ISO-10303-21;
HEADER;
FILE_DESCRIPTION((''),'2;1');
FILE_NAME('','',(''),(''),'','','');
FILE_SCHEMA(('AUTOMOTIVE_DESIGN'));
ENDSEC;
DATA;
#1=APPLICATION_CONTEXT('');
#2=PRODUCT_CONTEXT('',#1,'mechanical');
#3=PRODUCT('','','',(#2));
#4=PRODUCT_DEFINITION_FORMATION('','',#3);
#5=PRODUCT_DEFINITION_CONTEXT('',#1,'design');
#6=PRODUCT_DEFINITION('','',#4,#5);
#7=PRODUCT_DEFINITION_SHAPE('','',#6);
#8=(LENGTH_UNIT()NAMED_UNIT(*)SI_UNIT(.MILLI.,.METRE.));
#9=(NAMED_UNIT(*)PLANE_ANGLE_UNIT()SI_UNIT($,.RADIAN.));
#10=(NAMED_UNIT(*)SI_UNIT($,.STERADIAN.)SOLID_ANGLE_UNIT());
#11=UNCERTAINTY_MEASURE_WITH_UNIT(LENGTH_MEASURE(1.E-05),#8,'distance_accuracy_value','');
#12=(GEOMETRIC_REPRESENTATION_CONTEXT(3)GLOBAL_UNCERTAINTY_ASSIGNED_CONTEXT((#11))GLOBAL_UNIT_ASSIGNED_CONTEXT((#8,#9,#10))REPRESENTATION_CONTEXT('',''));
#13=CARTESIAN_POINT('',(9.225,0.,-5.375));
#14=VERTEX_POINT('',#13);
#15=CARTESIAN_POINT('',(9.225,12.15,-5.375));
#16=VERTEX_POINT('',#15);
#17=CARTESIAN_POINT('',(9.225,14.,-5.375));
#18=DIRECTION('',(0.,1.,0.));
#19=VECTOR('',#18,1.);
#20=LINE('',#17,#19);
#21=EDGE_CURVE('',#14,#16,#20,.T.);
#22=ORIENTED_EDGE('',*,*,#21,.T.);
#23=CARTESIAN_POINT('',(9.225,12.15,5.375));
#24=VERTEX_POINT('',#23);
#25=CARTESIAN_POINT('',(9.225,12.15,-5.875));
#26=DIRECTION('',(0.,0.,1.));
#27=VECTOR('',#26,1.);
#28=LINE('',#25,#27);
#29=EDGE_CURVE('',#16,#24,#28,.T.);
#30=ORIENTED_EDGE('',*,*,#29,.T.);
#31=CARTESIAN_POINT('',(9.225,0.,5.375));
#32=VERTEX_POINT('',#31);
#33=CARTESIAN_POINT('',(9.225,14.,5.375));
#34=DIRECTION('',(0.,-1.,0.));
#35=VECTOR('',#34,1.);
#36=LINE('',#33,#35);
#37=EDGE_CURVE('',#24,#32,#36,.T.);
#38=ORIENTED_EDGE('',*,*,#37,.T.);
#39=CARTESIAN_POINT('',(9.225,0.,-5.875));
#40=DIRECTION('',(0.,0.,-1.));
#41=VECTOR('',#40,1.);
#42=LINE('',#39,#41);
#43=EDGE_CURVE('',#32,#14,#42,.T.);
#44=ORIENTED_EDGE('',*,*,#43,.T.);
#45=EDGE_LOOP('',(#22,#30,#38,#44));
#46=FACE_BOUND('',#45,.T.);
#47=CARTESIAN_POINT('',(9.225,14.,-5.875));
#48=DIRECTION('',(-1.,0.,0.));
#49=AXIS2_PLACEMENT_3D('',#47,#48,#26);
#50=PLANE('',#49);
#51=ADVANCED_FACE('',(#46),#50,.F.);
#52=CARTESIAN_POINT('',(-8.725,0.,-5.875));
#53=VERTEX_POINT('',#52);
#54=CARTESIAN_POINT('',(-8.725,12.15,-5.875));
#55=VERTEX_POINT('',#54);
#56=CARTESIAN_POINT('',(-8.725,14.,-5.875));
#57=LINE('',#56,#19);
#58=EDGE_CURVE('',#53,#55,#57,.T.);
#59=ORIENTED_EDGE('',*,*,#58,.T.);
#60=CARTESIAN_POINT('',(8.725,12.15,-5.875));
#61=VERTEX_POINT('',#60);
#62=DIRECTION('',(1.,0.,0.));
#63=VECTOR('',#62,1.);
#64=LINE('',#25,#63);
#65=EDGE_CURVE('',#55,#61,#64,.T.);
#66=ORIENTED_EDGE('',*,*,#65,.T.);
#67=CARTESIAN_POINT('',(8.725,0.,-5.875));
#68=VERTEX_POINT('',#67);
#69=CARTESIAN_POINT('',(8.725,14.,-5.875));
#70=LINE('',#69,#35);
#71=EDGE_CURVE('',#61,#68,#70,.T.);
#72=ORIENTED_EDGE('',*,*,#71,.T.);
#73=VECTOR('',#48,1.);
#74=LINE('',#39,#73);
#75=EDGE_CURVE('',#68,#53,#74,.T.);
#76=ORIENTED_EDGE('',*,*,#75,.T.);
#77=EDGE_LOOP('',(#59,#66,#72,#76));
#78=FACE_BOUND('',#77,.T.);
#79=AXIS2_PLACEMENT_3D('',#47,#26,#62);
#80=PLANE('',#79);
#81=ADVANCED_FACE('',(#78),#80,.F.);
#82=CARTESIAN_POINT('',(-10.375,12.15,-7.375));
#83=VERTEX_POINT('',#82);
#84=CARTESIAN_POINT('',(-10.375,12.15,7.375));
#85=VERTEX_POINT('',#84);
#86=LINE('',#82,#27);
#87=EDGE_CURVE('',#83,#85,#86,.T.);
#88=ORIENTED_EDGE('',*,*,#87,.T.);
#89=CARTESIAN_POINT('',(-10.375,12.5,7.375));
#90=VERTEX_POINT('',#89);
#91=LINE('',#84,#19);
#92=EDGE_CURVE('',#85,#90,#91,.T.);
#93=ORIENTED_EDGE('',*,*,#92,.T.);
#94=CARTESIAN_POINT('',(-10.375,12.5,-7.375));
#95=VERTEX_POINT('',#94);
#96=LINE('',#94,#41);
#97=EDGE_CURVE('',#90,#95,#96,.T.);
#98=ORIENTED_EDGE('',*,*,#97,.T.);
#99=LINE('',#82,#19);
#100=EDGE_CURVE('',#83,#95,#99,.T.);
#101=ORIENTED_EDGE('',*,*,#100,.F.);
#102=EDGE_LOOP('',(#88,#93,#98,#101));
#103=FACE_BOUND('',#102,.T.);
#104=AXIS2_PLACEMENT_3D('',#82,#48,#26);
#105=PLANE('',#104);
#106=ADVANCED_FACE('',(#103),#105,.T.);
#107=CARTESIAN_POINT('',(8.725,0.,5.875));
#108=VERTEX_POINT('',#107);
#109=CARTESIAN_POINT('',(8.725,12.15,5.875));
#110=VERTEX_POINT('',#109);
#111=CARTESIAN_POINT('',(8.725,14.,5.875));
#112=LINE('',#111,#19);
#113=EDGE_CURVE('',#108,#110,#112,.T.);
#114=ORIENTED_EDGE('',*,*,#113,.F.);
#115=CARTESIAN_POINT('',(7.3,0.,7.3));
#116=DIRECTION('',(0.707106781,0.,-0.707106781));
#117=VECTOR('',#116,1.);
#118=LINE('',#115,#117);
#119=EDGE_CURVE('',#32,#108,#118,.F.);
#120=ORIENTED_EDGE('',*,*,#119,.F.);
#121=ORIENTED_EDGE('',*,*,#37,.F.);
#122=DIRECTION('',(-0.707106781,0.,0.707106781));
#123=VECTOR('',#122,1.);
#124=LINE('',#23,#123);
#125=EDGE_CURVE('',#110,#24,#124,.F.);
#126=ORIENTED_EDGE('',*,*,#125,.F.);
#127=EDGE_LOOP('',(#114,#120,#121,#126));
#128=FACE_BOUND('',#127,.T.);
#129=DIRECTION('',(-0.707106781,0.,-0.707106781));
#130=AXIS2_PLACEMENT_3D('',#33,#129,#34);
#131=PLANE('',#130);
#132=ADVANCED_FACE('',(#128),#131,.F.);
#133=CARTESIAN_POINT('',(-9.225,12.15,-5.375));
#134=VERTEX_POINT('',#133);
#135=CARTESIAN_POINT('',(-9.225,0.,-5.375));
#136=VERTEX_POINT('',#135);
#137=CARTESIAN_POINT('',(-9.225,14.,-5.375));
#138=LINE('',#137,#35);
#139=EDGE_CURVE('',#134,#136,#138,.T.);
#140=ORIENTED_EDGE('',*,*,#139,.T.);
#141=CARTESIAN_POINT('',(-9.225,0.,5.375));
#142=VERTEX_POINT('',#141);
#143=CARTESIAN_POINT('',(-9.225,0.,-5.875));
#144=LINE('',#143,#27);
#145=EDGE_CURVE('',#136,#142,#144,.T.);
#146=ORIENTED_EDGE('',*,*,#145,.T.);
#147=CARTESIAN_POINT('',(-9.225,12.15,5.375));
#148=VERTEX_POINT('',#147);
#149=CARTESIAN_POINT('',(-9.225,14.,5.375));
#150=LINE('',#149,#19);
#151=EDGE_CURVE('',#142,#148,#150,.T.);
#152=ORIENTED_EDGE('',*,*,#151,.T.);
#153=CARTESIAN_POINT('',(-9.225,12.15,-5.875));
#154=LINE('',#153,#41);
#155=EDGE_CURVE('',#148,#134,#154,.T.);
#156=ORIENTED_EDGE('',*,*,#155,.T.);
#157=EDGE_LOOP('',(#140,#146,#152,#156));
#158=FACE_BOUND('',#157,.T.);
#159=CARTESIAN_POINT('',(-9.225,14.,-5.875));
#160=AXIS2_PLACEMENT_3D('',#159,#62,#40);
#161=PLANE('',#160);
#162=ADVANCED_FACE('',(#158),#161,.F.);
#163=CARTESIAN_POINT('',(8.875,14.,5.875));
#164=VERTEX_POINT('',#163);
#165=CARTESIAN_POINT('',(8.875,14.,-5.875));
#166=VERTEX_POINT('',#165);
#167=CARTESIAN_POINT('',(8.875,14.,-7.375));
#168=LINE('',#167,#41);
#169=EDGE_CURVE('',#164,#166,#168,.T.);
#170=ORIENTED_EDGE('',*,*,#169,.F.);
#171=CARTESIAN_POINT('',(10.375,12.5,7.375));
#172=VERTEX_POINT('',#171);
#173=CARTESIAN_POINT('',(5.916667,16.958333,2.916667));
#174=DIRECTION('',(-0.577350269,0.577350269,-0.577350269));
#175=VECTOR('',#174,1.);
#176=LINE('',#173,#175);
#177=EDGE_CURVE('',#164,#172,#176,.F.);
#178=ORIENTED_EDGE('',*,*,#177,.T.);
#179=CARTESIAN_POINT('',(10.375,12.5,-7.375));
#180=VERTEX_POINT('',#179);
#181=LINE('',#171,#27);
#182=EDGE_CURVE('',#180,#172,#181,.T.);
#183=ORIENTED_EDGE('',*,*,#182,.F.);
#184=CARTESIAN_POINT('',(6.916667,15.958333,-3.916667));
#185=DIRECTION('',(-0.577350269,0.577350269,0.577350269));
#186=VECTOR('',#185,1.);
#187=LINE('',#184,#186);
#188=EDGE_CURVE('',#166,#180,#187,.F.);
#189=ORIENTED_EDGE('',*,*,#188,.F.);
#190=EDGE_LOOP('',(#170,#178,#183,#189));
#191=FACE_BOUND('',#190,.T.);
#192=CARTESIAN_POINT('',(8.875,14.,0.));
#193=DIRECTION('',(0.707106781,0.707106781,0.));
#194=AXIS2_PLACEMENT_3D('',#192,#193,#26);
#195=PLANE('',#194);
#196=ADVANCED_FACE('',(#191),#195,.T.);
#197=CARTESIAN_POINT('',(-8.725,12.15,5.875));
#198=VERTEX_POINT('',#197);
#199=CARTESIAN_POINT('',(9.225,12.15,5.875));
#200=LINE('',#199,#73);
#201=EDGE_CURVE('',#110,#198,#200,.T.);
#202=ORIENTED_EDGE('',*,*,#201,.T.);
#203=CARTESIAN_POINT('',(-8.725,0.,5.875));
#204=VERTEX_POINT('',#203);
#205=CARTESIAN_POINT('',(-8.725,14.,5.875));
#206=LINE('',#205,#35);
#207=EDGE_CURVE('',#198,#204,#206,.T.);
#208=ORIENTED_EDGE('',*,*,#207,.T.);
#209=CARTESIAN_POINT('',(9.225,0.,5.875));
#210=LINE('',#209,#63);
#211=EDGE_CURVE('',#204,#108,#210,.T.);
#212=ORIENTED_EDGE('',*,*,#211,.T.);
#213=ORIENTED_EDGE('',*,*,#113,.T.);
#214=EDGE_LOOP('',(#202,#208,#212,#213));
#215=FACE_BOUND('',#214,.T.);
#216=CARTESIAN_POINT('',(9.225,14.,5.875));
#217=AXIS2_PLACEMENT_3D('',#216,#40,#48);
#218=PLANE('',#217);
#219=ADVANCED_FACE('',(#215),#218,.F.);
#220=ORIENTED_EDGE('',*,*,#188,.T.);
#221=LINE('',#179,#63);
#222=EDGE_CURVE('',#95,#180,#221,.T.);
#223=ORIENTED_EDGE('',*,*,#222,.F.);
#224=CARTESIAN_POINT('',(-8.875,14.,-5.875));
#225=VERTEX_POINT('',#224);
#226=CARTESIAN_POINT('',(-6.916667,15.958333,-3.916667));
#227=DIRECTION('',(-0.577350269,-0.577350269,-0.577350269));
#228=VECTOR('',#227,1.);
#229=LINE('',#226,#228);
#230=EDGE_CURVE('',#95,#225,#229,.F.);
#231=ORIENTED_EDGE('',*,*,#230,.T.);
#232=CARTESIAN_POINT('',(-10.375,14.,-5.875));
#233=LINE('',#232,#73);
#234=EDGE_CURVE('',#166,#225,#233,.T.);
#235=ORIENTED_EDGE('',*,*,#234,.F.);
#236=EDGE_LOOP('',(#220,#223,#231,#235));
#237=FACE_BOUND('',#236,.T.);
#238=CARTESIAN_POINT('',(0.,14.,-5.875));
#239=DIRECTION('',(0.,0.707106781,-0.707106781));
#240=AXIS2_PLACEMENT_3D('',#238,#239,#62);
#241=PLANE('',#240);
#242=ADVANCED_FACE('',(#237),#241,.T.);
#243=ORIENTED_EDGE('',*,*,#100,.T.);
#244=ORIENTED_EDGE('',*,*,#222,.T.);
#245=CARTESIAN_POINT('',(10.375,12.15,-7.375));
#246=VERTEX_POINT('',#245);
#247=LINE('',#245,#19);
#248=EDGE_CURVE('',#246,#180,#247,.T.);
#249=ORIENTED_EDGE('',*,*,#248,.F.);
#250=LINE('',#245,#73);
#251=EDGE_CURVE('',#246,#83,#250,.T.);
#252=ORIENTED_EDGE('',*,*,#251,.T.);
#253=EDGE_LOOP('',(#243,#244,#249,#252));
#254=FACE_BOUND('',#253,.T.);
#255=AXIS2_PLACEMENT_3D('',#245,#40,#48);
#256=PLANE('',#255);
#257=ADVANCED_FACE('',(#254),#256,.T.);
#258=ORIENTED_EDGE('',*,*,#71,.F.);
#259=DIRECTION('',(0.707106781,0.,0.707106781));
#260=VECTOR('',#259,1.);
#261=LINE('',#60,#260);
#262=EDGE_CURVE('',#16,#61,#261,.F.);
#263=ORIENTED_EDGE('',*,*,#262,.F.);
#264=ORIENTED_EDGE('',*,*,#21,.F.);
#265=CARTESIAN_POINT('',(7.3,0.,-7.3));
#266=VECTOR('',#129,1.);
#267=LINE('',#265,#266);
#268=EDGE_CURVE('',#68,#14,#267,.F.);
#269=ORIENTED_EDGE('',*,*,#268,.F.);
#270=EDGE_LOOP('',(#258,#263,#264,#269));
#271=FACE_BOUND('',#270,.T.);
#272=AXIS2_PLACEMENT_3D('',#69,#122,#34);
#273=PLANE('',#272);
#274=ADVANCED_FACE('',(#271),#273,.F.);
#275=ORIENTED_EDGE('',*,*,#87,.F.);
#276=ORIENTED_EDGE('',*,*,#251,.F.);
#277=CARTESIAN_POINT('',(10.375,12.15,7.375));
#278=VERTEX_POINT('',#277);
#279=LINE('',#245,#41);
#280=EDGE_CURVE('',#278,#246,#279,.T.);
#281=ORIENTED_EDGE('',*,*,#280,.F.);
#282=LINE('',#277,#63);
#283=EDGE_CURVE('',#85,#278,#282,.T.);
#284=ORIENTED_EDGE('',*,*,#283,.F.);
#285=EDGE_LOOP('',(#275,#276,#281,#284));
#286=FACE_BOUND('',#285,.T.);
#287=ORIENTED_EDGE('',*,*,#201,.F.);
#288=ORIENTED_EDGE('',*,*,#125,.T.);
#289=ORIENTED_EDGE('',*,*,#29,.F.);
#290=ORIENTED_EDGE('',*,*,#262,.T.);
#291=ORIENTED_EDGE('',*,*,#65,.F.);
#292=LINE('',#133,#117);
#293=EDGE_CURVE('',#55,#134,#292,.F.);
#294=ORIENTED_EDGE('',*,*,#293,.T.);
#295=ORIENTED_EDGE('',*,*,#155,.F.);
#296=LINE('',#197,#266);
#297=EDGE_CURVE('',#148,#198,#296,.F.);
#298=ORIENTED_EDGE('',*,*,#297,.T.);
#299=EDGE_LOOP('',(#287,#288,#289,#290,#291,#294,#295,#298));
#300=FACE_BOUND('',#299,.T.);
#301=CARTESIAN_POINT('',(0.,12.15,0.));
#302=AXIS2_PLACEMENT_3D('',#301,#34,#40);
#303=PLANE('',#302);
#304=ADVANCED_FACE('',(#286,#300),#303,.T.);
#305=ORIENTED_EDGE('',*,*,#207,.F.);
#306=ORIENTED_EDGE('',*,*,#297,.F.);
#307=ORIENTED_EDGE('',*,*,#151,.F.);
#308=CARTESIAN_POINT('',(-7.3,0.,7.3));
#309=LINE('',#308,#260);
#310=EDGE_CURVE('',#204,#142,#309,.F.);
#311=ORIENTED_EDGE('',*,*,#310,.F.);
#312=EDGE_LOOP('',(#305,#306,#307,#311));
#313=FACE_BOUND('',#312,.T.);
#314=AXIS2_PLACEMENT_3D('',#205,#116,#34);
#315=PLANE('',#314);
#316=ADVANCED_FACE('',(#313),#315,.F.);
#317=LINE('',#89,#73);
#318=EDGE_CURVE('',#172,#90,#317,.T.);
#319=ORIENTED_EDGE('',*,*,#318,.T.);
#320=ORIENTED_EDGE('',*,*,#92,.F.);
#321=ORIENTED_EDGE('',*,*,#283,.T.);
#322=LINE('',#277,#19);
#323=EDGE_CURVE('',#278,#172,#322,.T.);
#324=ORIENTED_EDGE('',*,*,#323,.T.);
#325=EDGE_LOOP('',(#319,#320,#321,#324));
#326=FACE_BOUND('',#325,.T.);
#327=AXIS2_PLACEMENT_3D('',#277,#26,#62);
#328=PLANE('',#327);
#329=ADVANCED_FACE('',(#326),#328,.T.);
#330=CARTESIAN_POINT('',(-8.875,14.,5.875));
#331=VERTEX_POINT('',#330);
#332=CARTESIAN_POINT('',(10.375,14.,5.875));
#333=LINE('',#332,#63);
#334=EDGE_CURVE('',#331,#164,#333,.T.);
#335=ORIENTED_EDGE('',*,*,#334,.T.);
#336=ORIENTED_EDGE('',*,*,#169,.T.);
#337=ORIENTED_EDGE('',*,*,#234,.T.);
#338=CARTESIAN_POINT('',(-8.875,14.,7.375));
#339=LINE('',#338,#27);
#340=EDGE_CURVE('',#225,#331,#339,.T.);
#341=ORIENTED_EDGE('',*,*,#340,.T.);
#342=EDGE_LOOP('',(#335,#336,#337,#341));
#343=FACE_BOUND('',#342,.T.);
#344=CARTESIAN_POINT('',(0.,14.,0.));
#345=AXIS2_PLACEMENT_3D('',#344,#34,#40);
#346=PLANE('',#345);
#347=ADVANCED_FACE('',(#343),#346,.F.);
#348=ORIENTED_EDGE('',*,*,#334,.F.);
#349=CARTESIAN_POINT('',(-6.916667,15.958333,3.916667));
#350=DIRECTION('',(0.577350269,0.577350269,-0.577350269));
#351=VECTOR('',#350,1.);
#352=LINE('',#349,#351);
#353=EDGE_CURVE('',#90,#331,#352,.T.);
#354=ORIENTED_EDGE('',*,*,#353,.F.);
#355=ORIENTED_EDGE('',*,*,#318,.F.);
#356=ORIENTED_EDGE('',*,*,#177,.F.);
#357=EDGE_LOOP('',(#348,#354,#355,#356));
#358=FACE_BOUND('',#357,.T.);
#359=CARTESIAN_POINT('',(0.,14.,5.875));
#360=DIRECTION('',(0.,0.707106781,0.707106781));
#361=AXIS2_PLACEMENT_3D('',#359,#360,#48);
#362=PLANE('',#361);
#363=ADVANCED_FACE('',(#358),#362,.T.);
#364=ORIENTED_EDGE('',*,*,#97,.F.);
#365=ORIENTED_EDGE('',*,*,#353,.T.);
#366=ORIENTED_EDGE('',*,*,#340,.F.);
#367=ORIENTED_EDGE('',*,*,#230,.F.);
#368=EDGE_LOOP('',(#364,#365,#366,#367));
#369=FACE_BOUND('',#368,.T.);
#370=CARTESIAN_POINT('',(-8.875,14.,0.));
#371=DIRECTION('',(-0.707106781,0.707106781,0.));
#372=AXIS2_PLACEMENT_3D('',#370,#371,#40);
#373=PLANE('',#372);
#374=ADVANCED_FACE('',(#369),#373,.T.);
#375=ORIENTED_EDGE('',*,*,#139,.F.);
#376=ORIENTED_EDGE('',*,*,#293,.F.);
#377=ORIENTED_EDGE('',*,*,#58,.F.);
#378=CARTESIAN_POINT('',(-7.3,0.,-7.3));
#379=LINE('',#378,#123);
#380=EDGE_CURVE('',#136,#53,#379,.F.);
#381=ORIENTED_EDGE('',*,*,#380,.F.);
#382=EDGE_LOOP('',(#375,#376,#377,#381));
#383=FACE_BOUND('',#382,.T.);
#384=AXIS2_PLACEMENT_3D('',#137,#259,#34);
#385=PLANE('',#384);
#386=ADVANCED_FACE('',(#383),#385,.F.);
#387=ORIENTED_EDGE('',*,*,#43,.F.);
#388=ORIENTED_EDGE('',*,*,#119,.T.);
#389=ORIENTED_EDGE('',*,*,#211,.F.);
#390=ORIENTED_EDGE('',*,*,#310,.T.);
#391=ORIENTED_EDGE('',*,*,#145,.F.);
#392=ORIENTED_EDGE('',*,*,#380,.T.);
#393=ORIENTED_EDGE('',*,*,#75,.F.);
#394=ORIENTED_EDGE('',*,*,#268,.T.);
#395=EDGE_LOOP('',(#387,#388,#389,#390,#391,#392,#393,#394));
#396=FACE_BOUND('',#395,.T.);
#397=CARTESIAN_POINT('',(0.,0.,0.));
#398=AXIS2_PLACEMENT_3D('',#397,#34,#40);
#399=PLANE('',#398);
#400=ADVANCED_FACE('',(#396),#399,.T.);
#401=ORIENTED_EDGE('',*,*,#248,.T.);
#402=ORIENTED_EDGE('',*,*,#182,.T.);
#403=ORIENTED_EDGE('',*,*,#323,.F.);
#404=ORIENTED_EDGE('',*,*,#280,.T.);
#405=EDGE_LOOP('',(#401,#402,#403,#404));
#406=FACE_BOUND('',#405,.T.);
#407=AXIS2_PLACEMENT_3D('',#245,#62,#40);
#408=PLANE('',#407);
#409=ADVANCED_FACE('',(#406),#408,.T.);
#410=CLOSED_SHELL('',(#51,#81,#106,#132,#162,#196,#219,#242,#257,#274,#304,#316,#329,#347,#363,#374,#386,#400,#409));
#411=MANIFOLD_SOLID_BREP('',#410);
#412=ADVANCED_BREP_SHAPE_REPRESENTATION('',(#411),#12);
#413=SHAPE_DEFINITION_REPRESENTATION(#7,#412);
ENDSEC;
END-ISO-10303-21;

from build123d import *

# Parameters (mm, degrees)
SKETCH1_W           = 18.45
SKETCH1_H           = 11.75
BOSS_EXTRUDE1_DEPTH = 14
SKETCH2_W           = 20.75
SKETCH2_H           = 14.75
BOSS_EXTRUDE2_DEPTH = 1.85
CHAMFER1_SIZE       = 1.5
CHAMFER2_SIZE       = 0.5


with BuildPart() as part:
    # Sketch1 → Boss-Extrude1 (new body)
    with BuildSketch(Plane(origin=(0, 0, 0), x_dir=(1, 0, 0), z_dir=(0, 1, 0))):
        Rectangle(SKETCH1_W, SKETCH1_H)
    extrude(amount=BOSS_EXTRUDE1_DEPTH)

    # Sketch2 → Boss-Extrude2 (add)
    with BuildSketch(Plane(origin=(0, 14, 0), x_dir=(1, 0, 0), z_dir=(0, 1, 0))):
        Rectangle(SKETCH2_W, SKETCH2_H)
    extrude(amount=-BOSS_EXTRUDE2_DEPTH)

    # Chamfer1
    chamfer1_edges = [part.edges().sort_by_distance(p)[0] for p in [
        (-10.375, 14, 0),
        (0, 14, 7.375),
        (10.375, 14, 0),
        (0, 14, -7.375),
    ]]
    chamfer(chamfer1_edges, length=CHAMFER1_SIZE)

    # Chamfer2
    chamfer2_edges = [part.edges().sort_by_distance(p)[0] for p in [
        (-9.225, 6.075, -5.875),
        (9.225, 6.075, -5.875),
        (9.225, 6.075, 5.875),
        (-9.225, 6.075, 5.875),
    ]]
    chamfer(chamfer2_edges, length=CHAMFER2_SIZE)


solid = part.part
